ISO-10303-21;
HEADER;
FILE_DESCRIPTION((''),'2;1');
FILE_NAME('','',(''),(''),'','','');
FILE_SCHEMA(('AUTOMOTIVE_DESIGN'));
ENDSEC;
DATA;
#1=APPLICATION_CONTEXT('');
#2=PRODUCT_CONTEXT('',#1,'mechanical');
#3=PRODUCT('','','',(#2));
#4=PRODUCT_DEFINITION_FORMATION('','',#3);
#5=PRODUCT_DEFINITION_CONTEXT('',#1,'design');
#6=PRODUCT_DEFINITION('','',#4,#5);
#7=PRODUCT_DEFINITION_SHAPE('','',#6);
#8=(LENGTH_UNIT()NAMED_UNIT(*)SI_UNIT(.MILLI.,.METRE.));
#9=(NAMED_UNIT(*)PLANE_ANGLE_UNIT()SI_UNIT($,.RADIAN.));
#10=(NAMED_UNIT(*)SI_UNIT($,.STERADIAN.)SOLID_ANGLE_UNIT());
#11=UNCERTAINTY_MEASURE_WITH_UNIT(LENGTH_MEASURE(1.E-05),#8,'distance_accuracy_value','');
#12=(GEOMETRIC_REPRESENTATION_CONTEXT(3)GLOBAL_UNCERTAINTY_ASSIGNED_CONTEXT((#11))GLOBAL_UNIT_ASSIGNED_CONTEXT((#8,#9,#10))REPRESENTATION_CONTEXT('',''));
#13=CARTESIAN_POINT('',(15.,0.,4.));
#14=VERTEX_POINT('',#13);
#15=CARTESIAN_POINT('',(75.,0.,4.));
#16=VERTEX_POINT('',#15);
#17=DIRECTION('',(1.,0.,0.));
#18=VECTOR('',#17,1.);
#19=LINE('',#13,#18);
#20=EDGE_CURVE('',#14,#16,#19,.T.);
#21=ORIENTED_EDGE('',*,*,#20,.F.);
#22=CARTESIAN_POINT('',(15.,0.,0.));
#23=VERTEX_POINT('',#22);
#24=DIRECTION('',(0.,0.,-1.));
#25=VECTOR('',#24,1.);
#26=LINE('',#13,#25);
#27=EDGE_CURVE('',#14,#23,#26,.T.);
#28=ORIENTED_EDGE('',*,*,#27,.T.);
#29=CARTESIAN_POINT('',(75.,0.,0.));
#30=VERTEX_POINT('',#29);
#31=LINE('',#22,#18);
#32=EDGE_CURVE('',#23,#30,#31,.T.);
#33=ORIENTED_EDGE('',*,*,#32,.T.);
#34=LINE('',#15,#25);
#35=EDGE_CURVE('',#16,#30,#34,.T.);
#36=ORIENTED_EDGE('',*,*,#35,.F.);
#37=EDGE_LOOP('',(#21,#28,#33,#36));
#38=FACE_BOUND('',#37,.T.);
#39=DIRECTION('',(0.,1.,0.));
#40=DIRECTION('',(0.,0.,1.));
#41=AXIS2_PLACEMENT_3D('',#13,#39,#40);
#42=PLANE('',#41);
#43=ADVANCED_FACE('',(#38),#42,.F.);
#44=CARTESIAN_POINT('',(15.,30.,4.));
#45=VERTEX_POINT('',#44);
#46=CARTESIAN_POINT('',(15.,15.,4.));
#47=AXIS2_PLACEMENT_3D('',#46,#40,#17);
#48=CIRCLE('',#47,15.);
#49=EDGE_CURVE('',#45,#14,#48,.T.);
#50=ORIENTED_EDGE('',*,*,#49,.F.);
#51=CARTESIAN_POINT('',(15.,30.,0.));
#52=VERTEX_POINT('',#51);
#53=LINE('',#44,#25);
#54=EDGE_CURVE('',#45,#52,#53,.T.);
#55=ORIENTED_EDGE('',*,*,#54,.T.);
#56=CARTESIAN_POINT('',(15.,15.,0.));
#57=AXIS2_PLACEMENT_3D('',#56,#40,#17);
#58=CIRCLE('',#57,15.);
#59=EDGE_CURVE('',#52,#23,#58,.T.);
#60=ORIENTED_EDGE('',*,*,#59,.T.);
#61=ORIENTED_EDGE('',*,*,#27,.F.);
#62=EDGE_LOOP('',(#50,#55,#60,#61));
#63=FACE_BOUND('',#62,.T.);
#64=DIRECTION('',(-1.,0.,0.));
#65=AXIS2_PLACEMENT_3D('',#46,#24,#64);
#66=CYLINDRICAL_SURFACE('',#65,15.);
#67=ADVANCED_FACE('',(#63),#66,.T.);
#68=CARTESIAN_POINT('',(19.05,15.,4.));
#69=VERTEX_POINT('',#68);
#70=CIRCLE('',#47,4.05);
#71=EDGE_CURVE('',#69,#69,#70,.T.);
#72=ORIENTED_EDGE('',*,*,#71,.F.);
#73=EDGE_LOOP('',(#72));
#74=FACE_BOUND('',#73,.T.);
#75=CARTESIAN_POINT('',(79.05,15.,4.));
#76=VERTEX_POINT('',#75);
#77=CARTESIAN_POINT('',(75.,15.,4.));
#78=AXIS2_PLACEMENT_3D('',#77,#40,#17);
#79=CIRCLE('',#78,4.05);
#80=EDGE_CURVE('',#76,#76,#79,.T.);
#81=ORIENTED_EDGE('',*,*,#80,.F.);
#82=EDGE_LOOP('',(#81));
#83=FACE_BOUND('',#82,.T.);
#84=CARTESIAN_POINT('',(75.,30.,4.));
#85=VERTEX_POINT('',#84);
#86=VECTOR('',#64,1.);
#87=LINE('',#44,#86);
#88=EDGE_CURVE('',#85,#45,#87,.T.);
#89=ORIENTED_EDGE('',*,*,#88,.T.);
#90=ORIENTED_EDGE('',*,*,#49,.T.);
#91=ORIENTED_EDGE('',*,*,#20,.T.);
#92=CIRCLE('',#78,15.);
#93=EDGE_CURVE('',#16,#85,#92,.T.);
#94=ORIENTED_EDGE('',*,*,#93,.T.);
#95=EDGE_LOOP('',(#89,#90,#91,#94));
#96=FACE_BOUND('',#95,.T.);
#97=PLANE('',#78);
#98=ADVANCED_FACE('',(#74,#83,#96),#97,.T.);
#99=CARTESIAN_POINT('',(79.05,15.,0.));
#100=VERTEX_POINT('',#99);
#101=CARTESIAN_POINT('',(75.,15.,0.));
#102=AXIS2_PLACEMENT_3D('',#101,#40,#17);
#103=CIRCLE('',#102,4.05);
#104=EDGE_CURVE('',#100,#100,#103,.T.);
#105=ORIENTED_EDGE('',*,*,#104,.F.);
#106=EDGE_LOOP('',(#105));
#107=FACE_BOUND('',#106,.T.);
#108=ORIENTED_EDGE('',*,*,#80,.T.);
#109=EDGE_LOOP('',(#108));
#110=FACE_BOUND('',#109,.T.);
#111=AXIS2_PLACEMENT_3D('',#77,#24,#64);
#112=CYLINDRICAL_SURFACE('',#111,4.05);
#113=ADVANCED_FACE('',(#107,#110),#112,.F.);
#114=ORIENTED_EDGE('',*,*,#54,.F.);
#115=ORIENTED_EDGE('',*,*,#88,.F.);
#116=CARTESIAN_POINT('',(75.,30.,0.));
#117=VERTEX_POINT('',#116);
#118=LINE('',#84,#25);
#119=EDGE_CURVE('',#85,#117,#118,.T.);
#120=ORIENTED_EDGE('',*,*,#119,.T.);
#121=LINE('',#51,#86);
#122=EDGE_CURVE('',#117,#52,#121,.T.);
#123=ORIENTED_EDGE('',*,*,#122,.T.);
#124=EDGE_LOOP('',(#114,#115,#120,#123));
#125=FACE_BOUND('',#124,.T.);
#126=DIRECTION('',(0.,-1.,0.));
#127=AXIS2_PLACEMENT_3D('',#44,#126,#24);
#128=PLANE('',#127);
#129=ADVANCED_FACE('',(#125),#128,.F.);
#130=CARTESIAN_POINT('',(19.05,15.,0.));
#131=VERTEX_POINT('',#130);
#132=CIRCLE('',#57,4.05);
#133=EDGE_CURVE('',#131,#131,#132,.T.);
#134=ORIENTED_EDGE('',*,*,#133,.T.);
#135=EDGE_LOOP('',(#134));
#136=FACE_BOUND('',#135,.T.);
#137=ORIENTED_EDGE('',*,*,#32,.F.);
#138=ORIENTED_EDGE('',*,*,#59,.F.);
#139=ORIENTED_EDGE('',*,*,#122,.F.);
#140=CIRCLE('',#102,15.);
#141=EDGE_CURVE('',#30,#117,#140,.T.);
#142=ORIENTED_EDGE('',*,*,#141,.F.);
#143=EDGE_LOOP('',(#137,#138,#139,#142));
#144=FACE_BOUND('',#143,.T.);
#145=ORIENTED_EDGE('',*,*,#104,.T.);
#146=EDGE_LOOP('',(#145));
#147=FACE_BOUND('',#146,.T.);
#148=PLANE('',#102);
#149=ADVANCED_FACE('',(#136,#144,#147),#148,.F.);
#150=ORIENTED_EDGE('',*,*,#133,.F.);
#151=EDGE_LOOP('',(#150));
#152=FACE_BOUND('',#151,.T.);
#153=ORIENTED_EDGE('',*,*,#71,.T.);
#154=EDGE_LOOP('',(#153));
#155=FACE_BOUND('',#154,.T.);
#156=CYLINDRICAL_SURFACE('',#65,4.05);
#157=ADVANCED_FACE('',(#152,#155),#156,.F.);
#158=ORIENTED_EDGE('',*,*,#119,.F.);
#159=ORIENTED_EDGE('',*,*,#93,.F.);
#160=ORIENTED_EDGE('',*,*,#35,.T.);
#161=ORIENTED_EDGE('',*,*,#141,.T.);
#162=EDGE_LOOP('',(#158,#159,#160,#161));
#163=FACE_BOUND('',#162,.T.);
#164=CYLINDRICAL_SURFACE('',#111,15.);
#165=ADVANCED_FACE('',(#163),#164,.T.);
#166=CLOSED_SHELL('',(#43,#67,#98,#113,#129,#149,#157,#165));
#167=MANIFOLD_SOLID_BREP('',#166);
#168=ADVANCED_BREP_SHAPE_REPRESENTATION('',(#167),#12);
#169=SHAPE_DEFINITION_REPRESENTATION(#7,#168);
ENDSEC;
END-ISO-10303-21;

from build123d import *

# Parameters (mm, degrees)
SKETCH1_R           = 4.05
BOSS_EXTRUDE1_DEPTH = 4


with BuildPart() as part:
    # Sketch1 → Boss-Extrude1 (new body)
    with BuildSketch(Plane.XY):
        with BuildLine():
            Line((15, 0), (75, 0))
            ThreePointArc((75, 0), (90, 15), (75, 30))
            Line((75, 30), (15, 30))
            ThreePointArc((15, 30), (0, 15), (15, 0))
        make_face()
        with Locations((15, 15)):
            Circle(SKETCH1_R, mode=Mode.SUBTRACT)
        with Locations((75, 15)):
            Circle(SKETCH1_R, mode=Mode.SUBTRACT)
    extrude(amount=BOSS_EXTRUDE1_DEPTH)


solid = part.part
